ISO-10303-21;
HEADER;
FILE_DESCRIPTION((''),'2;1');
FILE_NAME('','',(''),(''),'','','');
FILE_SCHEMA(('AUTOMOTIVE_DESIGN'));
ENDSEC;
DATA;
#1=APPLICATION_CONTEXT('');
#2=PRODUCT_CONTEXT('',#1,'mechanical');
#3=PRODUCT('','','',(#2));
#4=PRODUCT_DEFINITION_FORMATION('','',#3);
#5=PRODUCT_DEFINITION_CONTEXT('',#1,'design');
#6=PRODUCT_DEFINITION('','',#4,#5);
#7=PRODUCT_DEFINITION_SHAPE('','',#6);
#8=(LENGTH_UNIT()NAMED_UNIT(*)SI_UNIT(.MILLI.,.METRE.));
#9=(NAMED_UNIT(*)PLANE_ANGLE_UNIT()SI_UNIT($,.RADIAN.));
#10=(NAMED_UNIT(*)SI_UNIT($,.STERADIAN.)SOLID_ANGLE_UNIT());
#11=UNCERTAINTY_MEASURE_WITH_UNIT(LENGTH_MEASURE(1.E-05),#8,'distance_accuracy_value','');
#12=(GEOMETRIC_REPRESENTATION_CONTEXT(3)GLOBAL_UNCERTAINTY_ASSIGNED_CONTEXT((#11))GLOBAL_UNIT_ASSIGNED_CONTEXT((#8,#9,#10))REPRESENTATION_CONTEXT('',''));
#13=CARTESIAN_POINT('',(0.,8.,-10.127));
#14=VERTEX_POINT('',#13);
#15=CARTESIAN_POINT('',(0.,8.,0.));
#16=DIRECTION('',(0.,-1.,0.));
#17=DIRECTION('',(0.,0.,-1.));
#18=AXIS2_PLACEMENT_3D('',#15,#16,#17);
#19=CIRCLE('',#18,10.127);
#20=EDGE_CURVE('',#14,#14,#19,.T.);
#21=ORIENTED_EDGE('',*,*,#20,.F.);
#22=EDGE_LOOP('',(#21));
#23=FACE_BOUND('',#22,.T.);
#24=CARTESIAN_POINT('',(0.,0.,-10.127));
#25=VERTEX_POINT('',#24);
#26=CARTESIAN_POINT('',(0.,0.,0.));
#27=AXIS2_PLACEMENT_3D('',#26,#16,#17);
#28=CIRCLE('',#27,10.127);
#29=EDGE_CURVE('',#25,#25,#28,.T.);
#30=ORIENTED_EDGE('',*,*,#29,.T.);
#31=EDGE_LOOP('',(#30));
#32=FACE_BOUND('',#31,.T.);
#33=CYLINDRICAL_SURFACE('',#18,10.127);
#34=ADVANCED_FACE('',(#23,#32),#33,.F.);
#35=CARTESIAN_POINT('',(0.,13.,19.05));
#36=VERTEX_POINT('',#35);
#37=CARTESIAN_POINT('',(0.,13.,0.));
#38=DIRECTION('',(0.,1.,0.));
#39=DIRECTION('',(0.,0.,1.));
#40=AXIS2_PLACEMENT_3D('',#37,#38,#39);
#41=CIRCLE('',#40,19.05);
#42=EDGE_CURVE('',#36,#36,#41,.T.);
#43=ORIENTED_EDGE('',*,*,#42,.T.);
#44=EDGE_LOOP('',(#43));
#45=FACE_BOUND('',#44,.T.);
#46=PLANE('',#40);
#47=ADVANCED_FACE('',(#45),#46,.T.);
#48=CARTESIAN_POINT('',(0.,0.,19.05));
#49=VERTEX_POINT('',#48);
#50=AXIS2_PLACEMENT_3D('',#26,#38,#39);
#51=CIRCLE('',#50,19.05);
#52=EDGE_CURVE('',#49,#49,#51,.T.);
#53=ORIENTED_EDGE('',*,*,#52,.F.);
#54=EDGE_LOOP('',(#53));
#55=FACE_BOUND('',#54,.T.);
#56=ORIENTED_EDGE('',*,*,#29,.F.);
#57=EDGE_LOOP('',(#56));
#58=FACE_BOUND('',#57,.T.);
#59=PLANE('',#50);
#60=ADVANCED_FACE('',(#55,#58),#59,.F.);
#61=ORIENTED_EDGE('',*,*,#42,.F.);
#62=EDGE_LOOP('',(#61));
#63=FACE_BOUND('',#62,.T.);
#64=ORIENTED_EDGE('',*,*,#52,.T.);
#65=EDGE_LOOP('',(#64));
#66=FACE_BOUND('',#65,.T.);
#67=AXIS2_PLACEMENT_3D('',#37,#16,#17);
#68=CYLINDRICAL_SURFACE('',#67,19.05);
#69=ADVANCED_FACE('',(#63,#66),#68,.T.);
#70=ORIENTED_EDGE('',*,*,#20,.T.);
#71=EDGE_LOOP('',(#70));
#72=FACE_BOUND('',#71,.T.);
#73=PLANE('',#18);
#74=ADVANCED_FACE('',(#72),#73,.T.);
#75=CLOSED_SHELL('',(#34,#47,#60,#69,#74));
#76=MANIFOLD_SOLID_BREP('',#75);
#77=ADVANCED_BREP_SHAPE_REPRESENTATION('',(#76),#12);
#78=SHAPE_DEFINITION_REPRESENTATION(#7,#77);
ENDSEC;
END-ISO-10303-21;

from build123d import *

# Parameters (mm, degrees)
SKETCH3_R           = 19.05
BOSS_EXTRUDE1_DEPTH = 13
SKETCH6_R           = 10.126999939
CUT_EXTRUDE2_DEPTH  = 8


with BuildPart() as part:
    # Sketch3 → Boss-Extrude1 (new body)
    with BuildSketch(Plane(origin=(0, 0, 0), x_dir=(1, 0, 0), z_dir=(0, 1, 0))):
        Circle(SKETCH3_R)
    extrude(amount=BOSS_EXTRUDE1_DEPTH)

    # Sketch6 → Cut-Extrude2 (cut)
    with BuildSketch(Plane.XZ):
        Circle(SKETCH6_R)
    extrude(amount=-CUT_EXTRUDE2_DEPTH, mode=Mode.SUBTRACT)


solid = part.part
